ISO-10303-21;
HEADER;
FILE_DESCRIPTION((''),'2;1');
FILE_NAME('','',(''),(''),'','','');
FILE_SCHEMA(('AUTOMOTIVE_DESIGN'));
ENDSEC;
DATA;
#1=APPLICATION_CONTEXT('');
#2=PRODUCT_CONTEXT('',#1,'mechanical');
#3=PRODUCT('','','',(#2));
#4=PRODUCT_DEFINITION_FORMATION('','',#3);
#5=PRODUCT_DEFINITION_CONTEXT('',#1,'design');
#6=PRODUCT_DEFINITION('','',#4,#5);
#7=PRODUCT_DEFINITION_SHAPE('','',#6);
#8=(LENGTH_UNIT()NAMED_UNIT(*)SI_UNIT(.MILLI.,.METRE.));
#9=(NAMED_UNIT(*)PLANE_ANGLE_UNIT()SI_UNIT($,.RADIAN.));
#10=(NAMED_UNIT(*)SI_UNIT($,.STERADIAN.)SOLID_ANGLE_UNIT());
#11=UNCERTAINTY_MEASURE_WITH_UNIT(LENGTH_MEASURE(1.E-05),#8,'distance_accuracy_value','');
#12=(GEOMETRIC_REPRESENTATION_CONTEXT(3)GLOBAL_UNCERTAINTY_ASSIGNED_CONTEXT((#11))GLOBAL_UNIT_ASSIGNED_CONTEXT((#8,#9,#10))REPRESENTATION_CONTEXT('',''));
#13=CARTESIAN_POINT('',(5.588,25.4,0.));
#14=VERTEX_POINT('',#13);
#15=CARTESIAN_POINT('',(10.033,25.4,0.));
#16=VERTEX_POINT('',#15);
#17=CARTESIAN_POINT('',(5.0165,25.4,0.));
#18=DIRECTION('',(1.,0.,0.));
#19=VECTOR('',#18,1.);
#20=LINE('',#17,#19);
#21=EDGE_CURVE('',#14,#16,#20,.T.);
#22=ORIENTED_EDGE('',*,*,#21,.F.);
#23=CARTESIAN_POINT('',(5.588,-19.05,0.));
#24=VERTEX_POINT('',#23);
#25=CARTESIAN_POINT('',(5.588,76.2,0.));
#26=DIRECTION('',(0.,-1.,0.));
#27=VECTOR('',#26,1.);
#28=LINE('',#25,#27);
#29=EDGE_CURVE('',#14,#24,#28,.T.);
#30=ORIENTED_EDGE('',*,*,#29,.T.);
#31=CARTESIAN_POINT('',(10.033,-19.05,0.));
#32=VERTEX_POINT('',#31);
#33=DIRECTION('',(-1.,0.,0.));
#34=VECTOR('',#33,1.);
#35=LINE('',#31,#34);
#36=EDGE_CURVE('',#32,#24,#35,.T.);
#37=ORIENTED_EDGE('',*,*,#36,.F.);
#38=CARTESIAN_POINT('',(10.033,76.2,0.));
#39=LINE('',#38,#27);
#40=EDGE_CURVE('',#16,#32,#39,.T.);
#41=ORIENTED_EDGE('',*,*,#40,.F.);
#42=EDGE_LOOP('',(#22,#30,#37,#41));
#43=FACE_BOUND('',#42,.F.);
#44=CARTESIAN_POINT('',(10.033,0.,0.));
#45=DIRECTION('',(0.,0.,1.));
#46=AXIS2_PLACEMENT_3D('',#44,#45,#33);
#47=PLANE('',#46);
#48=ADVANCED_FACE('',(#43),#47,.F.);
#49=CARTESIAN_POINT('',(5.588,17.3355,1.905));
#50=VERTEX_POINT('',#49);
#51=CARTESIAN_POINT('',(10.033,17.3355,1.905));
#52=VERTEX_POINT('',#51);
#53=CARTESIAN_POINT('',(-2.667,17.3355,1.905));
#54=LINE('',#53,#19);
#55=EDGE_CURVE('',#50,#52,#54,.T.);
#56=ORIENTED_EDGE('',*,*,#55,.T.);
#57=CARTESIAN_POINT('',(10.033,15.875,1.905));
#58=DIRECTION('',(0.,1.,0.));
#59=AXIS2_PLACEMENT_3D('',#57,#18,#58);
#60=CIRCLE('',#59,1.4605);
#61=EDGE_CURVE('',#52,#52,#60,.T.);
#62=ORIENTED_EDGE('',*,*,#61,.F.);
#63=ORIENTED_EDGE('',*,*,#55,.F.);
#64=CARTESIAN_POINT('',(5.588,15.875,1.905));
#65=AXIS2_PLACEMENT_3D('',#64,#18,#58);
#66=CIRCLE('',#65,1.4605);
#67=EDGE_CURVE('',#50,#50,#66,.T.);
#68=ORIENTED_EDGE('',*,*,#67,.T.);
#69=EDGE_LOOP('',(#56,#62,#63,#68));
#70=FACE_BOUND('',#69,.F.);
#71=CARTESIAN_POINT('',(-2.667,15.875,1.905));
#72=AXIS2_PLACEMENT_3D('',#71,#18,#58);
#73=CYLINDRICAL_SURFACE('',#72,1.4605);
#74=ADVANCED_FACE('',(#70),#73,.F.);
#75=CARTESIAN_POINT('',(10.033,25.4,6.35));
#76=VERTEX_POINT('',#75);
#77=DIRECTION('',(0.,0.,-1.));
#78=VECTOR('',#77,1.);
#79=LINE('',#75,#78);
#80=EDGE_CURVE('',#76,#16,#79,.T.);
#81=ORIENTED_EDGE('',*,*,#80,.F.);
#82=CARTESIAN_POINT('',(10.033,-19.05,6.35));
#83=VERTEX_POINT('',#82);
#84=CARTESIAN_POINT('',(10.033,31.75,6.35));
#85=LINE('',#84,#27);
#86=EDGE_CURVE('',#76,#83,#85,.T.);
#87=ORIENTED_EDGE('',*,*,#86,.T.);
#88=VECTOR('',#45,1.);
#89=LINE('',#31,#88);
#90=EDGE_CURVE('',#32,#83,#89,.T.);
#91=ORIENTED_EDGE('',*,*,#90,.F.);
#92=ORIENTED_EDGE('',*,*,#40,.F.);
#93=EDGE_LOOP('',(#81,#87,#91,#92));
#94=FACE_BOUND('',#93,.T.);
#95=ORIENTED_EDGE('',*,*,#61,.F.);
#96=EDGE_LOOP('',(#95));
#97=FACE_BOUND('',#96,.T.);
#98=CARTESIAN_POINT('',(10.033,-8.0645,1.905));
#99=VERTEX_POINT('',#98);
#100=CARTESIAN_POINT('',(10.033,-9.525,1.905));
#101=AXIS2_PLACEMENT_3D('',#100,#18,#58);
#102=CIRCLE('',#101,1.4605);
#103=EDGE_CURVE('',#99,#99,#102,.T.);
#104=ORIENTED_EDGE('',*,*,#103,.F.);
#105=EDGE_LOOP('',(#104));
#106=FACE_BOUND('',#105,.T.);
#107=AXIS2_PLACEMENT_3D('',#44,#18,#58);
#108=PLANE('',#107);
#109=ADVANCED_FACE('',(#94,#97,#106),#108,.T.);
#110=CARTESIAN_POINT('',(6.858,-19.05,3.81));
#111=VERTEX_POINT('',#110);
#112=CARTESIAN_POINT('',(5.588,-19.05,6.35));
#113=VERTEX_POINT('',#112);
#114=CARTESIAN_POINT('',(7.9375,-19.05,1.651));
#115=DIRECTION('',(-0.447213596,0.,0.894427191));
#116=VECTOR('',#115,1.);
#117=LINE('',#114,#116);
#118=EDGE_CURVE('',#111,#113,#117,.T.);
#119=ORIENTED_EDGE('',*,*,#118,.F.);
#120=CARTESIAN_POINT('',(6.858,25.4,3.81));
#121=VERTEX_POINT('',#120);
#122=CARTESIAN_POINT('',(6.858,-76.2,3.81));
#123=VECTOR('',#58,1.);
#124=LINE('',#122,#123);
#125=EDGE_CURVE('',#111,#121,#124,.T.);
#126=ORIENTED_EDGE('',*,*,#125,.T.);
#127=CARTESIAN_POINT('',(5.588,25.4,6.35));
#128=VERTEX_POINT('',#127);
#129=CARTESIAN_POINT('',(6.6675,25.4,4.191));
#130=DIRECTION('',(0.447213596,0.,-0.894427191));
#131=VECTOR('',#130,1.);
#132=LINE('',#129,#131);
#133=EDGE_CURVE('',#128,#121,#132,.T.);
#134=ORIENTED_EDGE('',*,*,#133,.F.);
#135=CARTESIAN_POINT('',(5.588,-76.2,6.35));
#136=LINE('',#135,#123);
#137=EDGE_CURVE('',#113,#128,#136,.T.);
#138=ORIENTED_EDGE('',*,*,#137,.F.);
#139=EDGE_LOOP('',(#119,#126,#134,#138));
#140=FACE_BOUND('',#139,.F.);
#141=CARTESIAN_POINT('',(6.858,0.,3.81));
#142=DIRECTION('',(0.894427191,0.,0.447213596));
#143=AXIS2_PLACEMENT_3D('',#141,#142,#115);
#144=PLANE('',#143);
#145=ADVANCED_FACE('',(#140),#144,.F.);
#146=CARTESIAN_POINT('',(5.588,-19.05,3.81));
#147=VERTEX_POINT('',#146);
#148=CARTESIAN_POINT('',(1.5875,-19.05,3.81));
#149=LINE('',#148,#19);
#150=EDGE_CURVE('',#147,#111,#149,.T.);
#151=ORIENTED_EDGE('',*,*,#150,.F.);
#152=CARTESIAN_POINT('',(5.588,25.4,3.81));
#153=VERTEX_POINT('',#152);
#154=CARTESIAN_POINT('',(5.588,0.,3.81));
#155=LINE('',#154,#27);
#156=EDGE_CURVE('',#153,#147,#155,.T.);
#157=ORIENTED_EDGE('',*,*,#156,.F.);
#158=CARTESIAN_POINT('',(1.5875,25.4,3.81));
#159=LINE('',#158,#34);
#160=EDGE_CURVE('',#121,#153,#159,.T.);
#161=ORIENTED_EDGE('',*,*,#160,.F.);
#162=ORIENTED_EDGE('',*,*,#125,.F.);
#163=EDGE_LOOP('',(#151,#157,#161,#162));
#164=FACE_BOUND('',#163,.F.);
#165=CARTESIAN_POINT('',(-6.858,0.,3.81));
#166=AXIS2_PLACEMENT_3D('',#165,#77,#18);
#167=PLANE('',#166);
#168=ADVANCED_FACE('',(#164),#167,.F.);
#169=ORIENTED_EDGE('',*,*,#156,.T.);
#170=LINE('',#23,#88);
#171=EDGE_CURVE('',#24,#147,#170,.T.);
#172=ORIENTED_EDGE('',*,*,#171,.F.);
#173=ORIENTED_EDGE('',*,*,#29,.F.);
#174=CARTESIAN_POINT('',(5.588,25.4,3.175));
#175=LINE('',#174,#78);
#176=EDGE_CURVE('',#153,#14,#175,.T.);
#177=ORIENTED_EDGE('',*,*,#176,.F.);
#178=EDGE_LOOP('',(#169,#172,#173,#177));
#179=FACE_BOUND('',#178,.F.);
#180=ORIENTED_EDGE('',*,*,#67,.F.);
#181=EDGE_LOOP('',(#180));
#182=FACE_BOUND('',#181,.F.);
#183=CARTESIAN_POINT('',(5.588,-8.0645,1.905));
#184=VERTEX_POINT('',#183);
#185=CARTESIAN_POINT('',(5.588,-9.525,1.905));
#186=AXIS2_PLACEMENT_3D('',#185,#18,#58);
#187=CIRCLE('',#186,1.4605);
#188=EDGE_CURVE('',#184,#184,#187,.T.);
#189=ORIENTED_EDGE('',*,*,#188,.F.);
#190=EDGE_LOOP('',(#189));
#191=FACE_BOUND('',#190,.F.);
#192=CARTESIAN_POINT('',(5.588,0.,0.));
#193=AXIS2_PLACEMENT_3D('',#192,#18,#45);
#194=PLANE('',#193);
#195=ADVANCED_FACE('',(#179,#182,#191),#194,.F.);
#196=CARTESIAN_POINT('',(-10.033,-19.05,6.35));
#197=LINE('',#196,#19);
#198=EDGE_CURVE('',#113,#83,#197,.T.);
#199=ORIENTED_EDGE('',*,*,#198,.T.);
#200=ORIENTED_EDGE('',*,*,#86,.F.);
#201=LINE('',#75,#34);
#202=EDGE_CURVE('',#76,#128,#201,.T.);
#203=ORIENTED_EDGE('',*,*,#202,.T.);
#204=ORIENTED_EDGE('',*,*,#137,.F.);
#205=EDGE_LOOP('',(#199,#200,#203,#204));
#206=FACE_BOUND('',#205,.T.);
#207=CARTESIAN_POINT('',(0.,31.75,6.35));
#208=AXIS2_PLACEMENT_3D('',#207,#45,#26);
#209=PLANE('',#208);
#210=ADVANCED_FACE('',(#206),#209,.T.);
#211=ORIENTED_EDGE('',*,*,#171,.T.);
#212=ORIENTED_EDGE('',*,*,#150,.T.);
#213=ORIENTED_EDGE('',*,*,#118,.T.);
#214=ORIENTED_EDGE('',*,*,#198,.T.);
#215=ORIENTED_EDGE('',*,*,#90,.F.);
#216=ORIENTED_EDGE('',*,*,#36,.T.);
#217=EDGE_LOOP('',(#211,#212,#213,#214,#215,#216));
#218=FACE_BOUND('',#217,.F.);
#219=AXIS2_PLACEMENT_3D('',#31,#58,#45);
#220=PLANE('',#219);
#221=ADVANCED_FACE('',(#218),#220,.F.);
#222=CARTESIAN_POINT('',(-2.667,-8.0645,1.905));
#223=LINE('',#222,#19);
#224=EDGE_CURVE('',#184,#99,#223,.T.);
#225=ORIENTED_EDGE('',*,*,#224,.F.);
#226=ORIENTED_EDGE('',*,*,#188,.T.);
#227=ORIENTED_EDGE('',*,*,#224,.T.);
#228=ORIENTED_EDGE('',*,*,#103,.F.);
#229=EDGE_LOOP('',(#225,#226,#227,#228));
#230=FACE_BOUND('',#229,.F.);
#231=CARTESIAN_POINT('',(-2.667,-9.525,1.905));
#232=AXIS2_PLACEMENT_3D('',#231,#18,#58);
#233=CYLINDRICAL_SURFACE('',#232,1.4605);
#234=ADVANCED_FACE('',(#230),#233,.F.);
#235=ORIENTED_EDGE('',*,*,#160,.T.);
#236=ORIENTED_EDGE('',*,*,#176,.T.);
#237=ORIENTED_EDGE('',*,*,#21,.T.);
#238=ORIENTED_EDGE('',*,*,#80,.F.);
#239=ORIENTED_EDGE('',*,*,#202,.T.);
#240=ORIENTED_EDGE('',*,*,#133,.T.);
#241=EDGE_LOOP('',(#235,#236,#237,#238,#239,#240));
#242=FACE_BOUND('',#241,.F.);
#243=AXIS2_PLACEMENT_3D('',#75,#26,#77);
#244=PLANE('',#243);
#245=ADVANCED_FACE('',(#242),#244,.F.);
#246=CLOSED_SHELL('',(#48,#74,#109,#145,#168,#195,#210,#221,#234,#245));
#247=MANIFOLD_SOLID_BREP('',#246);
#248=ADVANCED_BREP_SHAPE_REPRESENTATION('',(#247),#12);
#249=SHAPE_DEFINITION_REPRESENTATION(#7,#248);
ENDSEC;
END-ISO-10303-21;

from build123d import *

# Parameters (mm, degrees)
F1_DEPTH = 10.033
F3_DEPTH = 76.2
F5_DEPTH = 76.2
F7_D     = 2.921
F7_DEPTH = 8.255
F9_DEPTH = 4.446


with BuildPart() as f1:
    # F0 (on Right) → F1 (new body, symmetric)
    with BuildSketch(Plane.YZ):
        Polygon((19.05, -6.35), (31.75, 6.35), (-19.05, 6.35), (-31.75, -6.35), align=None)
    extrude(amount=F1_DEPTH, both=True)

    # F2 (on Front) → F3 (cut, symmetric)
    with BuildSketch(Plane.XZ):
        Polygon((-6.858, -3.81), (-5.588, -6.35), (5.588, -6.35), (6.858, -3.81), align=None)
        Polygon((5.588, 6.35), (-5.588, 6.35), (-6.858, 3.81), (6.858, 3.81), align=None)
    extrude(amount=F3_DEPTH, both=True, mode=Mode.SUBTRACT)

    # F4 (on Front) → F5 (cut, symmetric)
    with BuildSketch(Plane.XZ):
        Polygon((16.257983, -9.573173), (10.033, 0), (5.588, 0), (5.588, 6.35), (-11.387688, 6.35), (-11.387688, -9.573173), align=None)
    extrude(amount=F5_DEPTH, both=True, mode=Mode.SUBTRACT)

    # F7
    with Locations(Plane(origin=(5.588, 0, 0), x_dir=(0, -1, 0), z_dir=(-1, 0, 0))):
        with Locations((-15.875, 1.905), (9.525, 1.905)):
            Hole(F7_D / 2, depth=F7_DEPTH)

    # F8 (on face) → F9 (cut, through all)
    with BuildSketch(Plane.YZ.offset(10.033)):
        Polygon((-19.05, 6.35), (-25.4, 0), (-19.05, 0), align=None)
        Polygon((25.4, 6.35), (25.4, 0), (31.75, 6.35), align=None)
    extrude(amount=-F9_DEPTH, mode=Mode.SUBTRACT)


solid = f1.part
